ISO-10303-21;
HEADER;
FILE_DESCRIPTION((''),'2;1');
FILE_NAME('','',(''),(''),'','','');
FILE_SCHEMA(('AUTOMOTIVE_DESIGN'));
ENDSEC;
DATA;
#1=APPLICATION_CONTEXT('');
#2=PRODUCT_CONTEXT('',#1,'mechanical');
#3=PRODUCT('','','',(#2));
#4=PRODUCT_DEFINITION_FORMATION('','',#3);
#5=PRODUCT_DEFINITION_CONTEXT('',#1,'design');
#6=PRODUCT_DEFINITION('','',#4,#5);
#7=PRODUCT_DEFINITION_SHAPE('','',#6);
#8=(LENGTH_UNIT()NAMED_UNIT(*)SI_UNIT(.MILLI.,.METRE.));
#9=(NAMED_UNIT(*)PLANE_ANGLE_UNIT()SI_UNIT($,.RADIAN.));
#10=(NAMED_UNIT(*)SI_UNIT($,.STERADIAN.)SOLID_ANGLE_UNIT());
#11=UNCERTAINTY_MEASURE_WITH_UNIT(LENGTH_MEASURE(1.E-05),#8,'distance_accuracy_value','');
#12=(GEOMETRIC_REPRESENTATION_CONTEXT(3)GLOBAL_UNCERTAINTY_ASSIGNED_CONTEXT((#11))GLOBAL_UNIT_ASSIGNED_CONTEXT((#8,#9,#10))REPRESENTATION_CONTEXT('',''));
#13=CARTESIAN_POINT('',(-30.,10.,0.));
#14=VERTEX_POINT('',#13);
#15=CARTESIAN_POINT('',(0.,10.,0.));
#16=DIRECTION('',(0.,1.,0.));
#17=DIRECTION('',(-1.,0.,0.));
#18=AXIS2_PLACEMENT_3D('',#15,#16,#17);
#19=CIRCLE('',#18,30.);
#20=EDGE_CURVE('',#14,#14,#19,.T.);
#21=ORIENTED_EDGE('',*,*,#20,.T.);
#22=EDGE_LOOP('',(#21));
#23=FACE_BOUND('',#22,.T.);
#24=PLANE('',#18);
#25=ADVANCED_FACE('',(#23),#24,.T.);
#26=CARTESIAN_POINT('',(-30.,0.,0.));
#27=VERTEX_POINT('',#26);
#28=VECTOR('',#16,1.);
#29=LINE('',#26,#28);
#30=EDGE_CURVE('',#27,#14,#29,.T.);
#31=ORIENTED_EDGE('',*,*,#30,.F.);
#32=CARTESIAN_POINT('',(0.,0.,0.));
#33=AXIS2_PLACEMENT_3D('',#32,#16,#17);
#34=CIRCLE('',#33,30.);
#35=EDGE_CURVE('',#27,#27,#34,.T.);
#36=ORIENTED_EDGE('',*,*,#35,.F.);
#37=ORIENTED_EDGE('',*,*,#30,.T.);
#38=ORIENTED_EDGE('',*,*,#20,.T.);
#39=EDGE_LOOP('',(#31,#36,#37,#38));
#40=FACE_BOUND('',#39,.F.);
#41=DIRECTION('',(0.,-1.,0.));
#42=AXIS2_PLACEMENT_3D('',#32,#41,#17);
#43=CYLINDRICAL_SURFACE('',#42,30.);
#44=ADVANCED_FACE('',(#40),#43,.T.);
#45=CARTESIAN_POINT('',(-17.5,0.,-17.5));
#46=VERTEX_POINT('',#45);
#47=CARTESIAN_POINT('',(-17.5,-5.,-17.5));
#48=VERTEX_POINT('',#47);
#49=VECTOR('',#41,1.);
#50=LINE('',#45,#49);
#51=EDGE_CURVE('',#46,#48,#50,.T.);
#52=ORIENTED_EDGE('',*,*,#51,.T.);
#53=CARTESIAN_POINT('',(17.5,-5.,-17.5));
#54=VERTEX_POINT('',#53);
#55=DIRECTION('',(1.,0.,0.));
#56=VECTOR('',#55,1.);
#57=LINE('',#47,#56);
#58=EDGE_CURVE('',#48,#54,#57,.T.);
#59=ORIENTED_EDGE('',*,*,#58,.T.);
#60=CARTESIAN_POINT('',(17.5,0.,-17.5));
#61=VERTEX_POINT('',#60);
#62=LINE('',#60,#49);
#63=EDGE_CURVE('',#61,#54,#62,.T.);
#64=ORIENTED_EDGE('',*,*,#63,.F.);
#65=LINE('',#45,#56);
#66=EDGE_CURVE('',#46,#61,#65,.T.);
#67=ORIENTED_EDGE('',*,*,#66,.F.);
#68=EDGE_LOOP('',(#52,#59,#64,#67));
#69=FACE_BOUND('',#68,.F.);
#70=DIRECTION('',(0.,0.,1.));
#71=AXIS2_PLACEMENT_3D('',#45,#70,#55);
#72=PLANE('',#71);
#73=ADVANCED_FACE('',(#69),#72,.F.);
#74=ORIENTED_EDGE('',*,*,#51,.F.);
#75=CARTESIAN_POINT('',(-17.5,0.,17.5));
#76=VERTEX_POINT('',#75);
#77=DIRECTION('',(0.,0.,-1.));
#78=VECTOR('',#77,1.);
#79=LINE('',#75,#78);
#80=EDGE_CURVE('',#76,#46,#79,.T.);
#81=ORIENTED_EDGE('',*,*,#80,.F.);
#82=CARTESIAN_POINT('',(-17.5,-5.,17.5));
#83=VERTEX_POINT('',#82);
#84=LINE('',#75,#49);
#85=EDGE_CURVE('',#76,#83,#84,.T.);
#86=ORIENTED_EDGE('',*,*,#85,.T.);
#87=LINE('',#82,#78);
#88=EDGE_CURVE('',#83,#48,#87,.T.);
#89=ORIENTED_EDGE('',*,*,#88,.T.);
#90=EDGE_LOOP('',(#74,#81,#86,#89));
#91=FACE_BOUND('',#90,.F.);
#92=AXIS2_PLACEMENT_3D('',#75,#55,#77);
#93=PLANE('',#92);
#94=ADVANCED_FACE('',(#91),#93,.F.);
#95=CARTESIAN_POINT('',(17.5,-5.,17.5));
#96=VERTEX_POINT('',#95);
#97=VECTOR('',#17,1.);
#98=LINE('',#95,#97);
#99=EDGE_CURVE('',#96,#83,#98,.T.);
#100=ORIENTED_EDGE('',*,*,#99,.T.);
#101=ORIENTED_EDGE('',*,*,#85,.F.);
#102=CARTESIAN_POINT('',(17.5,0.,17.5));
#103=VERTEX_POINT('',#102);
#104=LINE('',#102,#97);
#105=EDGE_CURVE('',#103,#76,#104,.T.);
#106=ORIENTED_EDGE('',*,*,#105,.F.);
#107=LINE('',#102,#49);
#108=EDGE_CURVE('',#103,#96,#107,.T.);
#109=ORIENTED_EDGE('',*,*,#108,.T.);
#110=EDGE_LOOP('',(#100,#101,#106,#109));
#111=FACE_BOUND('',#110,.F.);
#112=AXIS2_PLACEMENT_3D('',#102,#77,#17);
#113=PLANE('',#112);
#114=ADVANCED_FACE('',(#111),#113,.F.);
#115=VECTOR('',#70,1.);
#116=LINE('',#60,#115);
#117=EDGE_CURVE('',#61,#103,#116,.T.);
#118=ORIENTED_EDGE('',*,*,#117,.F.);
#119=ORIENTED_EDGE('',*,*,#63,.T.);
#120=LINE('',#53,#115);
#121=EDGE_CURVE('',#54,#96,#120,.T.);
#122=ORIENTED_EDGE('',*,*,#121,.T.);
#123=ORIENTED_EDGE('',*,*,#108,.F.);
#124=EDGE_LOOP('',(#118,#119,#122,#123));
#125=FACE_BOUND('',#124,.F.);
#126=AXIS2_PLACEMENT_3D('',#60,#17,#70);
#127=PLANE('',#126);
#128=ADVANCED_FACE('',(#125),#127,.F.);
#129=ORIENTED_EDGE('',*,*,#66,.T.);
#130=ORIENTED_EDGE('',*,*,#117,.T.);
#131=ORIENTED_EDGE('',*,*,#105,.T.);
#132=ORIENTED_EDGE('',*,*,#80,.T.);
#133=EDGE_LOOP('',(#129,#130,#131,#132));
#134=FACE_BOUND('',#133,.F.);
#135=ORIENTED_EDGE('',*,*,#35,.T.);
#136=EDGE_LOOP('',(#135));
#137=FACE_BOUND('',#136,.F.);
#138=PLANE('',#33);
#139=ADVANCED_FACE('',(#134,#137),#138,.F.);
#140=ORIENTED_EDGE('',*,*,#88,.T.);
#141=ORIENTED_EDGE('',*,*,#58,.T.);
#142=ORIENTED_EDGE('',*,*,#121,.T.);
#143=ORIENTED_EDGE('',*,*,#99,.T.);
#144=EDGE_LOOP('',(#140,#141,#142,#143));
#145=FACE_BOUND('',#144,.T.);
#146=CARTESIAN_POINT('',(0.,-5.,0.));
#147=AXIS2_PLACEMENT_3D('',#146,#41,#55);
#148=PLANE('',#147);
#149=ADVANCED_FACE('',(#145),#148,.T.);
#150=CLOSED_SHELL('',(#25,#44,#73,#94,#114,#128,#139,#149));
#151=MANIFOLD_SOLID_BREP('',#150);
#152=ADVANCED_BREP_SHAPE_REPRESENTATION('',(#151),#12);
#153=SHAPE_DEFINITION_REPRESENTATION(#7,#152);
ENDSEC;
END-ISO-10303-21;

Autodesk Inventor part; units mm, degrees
ref_plane "YZ Plane" through (0, 0, 0) normal (1, 0, 0) x (0, 1, 0)
ref_plane "XZ Plane" through (0, 0, 0) normal (0, 1, 0) x (-1, 0, 0)
ref_plane "XY Plane" through (0, 0, 0) normal (0, 0, 1) x (1, 0, 0)
sketch "草图1" plane through (0, 0, 0) normal (0, 1, 0) x (-1, 0, 0)
  circle A0 centre (0, 0) radius 30
  dimension "d0" = 60
extrude "拉伸1" add sketch "草图1" along normal blind 10
sketch "草图2" plane through (0, 0, 0) normal (0, -1, 0) x (1, 0, 0)
  line L0 (-17.5, -17.5) -> (17.5, -17.5)
  line L1 (17.5, -17.5) -> (17.5, 17.5)
  line L2 (17.5, 17.5) -> (-17.5, 17.5)
  line L3 (-17.5, 17.5) -> (-17.5, -17.5)
  line L4 (-17.5, -17.5) -> (17.5, 17.5) construction
  line L5 (17.5, -17.5) -> (-17.5, 17.5) construction
  point P0 (0, 0)
  dimension "d3" = 35
  dimension "d4" = 35
extrude "拉伸2" add sketch "草图2" along normal blind 5
properties part number "底座"
